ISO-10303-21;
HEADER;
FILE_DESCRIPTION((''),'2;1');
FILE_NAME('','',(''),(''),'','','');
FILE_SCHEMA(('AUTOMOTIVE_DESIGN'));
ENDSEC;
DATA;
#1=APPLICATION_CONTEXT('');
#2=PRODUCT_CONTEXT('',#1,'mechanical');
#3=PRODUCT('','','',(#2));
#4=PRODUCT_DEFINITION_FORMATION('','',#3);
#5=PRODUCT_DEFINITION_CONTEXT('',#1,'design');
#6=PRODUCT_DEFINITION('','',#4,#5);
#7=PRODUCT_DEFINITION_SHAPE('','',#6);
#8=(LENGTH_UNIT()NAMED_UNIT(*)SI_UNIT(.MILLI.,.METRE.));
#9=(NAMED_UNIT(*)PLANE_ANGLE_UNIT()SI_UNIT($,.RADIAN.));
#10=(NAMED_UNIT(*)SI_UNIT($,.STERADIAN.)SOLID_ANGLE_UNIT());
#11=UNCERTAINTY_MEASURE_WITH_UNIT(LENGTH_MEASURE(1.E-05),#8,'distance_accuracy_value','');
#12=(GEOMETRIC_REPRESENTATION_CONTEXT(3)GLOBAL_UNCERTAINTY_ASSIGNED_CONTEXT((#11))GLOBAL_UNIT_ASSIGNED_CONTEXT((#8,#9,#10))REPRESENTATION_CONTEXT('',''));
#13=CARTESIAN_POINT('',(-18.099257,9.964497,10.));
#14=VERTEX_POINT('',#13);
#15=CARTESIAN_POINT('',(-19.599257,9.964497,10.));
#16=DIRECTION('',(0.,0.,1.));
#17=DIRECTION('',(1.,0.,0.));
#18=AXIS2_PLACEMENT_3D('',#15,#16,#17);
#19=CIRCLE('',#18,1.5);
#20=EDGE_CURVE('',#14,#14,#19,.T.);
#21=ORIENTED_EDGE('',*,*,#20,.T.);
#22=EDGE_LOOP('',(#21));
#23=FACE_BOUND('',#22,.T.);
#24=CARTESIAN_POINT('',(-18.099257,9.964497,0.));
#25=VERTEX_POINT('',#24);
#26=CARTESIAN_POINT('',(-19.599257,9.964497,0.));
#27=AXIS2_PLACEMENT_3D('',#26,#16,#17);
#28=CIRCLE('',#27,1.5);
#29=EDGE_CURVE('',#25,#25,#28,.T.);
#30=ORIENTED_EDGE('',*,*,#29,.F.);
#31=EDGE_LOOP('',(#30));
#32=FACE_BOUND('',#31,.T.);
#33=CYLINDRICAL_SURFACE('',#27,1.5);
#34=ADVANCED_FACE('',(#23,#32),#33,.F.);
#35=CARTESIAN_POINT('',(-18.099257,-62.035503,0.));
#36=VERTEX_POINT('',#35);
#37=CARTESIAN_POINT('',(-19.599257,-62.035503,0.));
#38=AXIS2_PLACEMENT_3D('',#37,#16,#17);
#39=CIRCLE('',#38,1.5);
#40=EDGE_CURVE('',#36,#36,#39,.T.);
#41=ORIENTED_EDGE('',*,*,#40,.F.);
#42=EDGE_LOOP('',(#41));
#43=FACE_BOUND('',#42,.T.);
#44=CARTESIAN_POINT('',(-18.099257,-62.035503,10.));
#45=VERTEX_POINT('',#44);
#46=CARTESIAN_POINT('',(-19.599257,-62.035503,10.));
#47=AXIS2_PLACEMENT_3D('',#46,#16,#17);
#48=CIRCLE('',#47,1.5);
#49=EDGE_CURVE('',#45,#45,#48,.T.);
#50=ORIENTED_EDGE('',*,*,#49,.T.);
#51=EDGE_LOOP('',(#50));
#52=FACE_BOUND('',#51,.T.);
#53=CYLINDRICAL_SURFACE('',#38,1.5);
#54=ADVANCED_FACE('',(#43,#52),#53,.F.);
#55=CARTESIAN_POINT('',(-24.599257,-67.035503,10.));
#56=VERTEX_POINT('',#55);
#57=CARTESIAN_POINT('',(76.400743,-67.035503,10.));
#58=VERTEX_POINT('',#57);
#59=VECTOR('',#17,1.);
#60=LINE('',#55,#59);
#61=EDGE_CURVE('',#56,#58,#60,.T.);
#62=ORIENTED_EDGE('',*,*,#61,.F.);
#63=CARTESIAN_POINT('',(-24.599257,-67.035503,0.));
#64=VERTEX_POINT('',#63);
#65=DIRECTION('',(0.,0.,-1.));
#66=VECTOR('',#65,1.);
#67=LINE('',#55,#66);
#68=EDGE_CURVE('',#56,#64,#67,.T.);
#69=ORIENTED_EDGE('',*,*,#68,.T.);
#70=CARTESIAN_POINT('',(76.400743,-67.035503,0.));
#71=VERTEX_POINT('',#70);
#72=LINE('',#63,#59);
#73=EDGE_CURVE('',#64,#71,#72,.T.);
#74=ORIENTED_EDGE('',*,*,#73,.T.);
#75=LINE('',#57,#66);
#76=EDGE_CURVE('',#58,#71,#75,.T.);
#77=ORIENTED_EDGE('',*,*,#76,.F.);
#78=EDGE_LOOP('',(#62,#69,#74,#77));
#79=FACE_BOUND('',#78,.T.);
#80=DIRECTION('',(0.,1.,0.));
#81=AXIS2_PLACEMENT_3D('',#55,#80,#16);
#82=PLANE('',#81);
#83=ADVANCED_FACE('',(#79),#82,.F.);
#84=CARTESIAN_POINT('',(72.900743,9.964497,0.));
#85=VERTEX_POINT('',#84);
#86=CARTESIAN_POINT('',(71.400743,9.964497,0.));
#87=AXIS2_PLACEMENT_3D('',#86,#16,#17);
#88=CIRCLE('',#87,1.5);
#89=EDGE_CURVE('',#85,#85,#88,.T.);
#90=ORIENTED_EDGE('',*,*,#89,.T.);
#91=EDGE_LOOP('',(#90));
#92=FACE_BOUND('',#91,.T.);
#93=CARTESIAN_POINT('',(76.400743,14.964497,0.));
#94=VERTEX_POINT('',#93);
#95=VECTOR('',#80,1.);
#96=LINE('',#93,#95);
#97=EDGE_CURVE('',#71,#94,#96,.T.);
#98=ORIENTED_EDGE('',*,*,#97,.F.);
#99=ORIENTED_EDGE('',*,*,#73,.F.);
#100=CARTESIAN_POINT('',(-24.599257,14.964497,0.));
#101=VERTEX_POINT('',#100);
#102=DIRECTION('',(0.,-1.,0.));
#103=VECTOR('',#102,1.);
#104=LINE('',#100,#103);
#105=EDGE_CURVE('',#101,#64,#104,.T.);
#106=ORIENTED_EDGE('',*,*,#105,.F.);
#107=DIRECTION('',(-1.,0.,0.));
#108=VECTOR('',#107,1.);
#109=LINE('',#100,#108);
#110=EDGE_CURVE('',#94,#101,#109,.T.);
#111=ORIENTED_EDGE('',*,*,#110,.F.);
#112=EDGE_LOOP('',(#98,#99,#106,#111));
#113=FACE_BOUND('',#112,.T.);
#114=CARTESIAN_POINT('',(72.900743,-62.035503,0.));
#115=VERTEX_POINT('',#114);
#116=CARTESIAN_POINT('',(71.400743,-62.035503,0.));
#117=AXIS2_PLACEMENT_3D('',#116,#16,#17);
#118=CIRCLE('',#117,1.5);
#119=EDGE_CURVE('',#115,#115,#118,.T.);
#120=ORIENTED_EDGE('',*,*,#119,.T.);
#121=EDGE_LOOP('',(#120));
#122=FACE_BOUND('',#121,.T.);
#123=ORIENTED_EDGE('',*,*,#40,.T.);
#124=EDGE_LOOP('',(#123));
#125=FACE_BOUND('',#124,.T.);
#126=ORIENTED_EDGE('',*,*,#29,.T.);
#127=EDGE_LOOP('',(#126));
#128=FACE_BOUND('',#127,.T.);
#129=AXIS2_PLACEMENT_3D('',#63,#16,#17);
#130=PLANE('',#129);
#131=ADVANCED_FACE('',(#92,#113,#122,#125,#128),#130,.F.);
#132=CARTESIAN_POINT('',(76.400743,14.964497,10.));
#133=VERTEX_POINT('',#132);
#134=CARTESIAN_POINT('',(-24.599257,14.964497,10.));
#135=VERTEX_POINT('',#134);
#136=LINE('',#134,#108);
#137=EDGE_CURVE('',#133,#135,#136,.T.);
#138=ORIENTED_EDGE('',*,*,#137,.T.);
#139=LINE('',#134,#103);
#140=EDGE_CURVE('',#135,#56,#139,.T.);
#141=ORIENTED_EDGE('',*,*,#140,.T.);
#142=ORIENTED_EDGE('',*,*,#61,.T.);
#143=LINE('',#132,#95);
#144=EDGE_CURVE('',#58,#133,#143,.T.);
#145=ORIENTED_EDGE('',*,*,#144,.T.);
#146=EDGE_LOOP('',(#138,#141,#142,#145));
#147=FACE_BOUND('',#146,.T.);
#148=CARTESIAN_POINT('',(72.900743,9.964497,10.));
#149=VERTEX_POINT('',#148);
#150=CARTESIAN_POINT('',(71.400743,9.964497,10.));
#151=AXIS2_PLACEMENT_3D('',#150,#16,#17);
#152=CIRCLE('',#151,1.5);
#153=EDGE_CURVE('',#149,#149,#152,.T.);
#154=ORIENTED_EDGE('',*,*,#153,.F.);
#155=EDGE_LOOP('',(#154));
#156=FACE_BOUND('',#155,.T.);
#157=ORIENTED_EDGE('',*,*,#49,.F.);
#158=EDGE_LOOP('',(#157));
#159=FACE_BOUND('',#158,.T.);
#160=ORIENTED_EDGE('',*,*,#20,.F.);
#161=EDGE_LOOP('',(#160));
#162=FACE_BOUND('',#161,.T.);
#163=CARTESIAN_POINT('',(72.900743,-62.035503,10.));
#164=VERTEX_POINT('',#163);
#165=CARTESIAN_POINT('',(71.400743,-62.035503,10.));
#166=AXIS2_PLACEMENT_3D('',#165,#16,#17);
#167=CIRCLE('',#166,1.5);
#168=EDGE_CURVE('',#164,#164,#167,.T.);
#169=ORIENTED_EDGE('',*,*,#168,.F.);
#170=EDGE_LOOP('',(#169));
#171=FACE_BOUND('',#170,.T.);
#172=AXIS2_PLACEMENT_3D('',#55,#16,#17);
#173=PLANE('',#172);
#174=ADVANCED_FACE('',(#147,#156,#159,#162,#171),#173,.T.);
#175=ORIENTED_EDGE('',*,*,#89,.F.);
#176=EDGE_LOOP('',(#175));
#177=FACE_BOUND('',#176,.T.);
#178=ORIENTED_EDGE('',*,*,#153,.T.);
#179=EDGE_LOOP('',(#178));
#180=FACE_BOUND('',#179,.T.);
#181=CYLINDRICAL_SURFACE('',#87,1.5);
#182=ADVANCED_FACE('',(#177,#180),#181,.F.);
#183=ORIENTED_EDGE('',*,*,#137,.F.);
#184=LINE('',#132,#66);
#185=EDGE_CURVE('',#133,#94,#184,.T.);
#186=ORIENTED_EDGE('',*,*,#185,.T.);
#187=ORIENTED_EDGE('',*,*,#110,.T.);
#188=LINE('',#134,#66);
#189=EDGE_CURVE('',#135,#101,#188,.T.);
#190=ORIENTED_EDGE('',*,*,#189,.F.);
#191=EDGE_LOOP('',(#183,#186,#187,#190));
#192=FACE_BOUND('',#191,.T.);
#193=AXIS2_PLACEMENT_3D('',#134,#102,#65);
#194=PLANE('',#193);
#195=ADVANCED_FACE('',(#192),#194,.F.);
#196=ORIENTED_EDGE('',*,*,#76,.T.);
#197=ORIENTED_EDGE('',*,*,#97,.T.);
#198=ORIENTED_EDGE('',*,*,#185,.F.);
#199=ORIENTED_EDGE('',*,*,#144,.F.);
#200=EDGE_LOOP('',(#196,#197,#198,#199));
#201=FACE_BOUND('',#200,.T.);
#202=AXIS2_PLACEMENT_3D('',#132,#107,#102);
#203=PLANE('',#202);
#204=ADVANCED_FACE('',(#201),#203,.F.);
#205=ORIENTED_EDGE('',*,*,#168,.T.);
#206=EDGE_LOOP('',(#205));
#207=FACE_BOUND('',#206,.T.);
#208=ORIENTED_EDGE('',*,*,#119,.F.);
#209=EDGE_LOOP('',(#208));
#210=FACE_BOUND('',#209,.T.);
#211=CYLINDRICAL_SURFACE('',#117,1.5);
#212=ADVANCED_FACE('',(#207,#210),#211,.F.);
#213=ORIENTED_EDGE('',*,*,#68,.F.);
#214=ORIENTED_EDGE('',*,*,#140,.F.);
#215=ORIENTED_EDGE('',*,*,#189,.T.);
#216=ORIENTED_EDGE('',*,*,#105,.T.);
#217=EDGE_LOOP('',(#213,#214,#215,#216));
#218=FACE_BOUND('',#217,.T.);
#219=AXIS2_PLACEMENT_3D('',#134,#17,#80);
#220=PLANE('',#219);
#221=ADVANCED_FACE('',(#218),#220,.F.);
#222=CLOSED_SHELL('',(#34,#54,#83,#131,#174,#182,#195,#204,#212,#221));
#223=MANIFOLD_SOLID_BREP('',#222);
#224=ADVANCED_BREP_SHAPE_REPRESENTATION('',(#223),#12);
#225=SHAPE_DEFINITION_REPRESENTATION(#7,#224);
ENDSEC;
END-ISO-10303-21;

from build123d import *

# Parameters (mm, degrees)
ESQUISSE1_W      = 101
ESQUISSE1_H      = 82
EXTRUSION1_DEPTH = 10
ESQUISSE2_R      = 1.5
EXTRUSION2_DEPTH = 10


with BuildPart() as part:
    # Esquisse1 → Extrusion1 (new body)
    with BuildSketch(Plane.XY):
        with Locations((25.900742932, -26.035502646)):
            Rectangle(ESQUISSE1_W, ESQUISSE1_H)
    extrude(amount=EXTRUSION1_DEPTH)

    # Esquisse2 → Extrusion2 (cut)
    with BuildSketch(Plane.XY.offset(10)):
        with Locations((-19.599257068, 9.964497354)):
            Circle(ESQUISSE2_R)
        with Locations((71.400742932, 9.964497354)):
            Circle(ESQUISSE2_R)
        with Locations((71.400742932, -62.035502646)):
            Circle(ESQUISSE2_R)
        with Locations((-19.599257068, -62.035502646)):
            Circle(ESQUISSE2_R)
    extrude(amount=-EXTRUSION2_DEPTH, mode=Mode.SUBTRACT)


solid = part.part
